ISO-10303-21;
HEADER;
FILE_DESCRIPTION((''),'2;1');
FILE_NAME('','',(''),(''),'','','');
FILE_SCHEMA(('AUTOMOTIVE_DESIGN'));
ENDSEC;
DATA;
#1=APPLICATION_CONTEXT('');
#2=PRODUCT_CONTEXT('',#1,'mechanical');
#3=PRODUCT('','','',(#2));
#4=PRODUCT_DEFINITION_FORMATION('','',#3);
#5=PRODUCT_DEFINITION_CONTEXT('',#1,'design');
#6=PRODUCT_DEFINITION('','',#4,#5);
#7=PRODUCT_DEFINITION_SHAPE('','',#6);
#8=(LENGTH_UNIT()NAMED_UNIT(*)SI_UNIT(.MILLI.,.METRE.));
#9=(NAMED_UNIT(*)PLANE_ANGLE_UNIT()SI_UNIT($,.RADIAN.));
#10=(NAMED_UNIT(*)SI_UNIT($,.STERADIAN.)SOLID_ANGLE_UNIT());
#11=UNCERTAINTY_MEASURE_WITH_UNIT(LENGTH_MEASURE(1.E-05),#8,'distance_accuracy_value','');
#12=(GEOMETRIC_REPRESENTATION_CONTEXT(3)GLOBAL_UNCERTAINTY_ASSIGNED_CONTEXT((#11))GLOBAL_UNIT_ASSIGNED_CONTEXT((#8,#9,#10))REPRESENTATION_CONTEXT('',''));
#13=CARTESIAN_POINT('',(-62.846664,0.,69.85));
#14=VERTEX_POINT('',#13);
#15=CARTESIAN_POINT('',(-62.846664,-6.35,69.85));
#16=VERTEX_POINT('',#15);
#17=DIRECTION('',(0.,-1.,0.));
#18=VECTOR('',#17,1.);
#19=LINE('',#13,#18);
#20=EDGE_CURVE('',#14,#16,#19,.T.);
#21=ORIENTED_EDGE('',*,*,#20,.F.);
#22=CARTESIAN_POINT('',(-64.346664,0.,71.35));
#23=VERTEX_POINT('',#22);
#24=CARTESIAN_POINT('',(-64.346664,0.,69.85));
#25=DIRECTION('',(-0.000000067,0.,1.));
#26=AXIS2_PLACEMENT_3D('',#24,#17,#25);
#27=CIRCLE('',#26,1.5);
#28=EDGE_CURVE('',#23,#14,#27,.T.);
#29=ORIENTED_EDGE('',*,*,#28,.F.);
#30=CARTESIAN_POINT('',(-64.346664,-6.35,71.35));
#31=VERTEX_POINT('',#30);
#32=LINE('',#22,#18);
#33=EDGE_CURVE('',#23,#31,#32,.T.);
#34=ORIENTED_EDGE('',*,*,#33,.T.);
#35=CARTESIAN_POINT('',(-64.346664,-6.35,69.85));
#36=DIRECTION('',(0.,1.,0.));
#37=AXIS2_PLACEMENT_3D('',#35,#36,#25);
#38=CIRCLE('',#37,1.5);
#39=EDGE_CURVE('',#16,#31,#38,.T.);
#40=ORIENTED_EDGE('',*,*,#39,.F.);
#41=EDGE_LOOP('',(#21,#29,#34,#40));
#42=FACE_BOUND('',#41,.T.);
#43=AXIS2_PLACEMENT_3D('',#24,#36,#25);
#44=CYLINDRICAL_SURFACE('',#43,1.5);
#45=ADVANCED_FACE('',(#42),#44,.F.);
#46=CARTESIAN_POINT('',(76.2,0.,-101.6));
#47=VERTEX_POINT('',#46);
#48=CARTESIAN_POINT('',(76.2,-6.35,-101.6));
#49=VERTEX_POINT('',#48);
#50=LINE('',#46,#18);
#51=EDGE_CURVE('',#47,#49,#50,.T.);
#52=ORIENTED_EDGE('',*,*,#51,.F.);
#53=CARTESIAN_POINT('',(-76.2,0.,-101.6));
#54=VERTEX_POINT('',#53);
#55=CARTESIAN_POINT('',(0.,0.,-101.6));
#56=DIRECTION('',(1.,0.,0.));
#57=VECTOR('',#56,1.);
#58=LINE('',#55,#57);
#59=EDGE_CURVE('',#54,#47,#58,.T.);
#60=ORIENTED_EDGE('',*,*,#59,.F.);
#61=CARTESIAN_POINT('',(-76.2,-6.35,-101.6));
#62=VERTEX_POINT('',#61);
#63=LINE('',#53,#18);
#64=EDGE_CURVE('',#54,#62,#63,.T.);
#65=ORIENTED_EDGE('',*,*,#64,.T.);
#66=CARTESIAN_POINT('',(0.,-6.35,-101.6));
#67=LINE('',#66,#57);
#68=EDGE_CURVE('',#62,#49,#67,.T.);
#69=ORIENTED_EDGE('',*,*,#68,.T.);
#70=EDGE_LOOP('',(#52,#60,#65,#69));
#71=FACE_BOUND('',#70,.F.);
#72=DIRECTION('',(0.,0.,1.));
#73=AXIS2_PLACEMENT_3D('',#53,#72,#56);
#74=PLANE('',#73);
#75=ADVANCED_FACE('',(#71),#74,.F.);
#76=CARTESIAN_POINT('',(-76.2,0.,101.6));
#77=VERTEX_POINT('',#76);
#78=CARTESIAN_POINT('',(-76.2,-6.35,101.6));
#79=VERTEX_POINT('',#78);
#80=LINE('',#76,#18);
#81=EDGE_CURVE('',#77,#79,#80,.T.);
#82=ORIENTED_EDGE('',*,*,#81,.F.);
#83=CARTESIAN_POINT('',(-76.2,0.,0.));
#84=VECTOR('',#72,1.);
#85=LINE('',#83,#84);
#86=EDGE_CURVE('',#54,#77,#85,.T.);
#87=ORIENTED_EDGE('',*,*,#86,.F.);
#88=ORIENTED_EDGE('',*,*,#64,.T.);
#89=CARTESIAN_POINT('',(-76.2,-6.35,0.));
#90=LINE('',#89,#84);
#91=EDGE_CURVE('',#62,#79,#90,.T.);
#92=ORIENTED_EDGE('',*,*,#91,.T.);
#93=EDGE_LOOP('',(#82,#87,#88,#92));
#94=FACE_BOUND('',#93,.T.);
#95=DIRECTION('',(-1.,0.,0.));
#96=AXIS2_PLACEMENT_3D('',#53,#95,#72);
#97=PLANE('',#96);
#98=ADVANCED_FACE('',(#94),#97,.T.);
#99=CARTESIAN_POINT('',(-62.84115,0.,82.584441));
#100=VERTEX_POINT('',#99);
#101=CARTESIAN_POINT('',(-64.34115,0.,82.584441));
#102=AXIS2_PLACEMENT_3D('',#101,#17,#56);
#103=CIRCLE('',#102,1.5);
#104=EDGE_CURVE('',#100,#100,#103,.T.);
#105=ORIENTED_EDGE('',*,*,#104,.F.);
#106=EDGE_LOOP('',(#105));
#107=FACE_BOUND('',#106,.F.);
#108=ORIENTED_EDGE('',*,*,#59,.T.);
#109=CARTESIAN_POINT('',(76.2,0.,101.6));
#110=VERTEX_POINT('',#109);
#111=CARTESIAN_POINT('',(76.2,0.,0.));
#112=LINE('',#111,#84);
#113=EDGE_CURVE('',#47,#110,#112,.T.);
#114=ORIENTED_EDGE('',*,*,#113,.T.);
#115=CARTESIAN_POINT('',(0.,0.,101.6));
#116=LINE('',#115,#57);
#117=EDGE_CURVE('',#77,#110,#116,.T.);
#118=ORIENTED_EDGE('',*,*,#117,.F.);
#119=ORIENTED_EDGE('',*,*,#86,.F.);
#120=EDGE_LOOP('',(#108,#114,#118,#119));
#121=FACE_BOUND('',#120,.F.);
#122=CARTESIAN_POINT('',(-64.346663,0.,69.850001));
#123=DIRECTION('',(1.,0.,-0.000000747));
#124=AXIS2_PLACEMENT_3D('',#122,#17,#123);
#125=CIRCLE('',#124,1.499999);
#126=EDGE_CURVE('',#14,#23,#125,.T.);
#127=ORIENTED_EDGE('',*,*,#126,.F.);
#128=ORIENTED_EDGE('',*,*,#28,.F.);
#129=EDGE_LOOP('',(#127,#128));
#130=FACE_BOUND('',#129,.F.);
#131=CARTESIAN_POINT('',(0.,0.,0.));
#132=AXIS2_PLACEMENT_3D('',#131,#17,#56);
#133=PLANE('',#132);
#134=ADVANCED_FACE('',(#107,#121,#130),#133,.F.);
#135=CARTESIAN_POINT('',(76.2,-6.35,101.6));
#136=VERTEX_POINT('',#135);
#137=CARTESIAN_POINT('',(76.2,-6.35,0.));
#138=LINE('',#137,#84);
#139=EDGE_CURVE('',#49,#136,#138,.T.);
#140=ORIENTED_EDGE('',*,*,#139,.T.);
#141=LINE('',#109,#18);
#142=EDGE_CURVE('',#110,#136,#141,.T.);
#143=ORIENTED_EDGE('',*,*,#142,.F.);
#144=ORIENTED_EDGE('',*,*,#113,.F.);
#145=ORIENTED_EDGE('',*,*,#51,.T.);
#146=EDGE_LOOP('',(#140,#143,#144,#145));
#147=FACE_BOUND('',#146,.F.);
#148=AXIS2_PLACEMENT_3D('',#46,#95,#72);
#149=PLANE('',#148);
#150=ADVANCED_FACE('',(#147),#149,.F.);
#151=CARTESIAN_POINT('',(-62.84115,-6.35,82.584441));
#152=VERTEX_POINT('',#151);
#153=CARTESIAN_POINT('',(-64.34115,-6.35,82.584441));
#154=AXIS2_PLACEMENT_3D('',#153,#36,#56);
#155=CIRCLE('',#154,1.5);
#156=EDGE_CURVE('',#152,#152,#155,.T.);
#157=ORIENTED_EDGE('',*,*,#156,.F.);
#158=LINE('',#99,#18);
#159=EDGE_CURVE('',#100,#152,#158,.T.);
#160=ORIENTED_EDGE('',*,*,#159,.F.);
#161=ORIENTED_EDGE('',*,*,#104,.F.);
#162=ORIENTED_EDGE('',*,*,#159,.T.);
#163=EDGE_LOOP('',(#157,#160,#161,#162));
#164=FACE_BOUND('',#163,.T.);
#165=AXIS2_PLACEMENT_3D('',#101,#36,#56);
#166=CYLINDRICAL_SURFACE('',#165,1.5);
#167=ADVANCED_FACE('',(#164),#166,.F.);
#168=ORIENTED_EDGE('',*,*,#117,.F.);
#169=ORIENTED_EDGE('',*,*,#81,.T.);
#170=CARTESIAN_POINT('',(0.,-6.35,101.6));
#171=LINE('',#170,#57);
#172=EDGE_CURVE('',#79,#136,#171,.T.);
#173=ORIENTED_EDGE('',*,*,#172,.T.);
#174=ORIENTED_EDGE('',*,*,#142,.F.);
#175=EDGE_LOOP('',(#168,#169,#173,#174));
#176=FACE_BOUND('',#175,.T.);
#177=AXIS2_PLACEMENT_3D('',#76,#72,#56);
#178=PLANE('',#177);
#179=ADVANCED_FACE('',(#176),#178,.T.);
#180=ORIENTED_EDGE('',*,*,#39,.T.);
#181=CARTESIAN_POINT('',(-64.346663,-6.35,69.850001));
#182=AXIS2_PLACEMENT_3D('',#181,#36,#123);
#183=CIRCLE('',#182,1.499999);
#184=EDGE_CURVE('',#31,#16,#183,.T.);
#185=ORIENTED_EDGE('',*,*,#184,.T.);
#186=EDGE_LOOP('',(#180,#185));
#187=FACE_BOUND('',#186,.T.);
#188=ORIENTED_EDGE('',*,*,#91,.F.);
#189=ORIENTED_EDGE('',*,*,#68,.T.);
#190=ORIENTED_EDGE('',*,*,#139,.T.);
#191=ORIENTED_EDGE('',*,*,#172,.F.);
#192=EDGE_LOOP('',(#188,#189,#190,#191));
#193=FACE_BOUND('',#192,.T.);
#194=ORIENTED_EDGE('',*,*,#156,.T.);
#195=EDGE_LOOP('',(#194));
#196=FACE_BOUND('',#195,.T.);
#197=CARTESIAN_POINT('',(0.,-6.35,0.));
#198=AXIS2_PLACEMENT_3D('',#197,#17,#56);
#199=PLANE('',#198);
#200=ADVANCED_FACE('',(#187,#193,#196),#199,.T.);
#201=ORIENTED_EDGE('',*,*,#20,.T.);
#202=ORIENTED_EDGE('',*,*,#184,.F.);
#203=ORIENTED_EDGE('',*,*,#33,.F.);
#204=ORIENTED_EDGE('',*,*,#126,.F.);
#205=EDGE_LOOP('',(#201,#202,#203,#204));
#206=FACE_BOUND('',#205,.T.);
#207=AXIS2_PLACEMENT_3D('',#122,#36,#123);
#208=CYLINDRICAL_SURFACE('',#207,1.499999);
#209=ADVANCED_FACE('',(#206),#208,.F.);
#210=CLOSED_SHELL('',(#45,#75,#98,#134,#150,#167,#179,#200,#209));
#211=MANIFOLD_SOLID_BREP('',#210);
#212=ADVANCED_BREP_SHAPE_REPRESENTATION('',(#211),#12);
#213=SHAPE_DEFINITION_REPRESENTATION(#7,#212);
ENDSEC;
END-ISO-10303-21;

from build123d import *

# Parameters (mm, degrees)
F0_W     = 152.4
F0_H     = 203.2
F1_DEPTH = 6.35
F3_R     = 1.5
F4_DEPTH = 25


with BuildPart() as f1:
    # F0 (on Front) → F1 (new body)
    with BuildSketch(Plane.XZ):
        Rectangle(F0_W, F0_H)
    extrude(amount=F1_DEPTH)

    # F2 (on Front) + F3 (on Front) → F4 (cut)
    with BuildSketch(Plane.XZ):
        with BuildLine():
            ThreePointArc((-64.346664, 71.35), (-65.407324, 68.78934), (-62.846664, 69.85))
            ThreePointArc((-62.846664, 69.85), (-63.286003, 70.91066), (-64.346664, 71.35))
        make_face()
    with BuildSketch(Plane.XZ):
        with Locations((-64.34115, 82.584441)):
            Circle(F3_R)
    extrude(amount=F4_DEPTH, mode=Mode.SUBTRACT)


solid = f1.part
